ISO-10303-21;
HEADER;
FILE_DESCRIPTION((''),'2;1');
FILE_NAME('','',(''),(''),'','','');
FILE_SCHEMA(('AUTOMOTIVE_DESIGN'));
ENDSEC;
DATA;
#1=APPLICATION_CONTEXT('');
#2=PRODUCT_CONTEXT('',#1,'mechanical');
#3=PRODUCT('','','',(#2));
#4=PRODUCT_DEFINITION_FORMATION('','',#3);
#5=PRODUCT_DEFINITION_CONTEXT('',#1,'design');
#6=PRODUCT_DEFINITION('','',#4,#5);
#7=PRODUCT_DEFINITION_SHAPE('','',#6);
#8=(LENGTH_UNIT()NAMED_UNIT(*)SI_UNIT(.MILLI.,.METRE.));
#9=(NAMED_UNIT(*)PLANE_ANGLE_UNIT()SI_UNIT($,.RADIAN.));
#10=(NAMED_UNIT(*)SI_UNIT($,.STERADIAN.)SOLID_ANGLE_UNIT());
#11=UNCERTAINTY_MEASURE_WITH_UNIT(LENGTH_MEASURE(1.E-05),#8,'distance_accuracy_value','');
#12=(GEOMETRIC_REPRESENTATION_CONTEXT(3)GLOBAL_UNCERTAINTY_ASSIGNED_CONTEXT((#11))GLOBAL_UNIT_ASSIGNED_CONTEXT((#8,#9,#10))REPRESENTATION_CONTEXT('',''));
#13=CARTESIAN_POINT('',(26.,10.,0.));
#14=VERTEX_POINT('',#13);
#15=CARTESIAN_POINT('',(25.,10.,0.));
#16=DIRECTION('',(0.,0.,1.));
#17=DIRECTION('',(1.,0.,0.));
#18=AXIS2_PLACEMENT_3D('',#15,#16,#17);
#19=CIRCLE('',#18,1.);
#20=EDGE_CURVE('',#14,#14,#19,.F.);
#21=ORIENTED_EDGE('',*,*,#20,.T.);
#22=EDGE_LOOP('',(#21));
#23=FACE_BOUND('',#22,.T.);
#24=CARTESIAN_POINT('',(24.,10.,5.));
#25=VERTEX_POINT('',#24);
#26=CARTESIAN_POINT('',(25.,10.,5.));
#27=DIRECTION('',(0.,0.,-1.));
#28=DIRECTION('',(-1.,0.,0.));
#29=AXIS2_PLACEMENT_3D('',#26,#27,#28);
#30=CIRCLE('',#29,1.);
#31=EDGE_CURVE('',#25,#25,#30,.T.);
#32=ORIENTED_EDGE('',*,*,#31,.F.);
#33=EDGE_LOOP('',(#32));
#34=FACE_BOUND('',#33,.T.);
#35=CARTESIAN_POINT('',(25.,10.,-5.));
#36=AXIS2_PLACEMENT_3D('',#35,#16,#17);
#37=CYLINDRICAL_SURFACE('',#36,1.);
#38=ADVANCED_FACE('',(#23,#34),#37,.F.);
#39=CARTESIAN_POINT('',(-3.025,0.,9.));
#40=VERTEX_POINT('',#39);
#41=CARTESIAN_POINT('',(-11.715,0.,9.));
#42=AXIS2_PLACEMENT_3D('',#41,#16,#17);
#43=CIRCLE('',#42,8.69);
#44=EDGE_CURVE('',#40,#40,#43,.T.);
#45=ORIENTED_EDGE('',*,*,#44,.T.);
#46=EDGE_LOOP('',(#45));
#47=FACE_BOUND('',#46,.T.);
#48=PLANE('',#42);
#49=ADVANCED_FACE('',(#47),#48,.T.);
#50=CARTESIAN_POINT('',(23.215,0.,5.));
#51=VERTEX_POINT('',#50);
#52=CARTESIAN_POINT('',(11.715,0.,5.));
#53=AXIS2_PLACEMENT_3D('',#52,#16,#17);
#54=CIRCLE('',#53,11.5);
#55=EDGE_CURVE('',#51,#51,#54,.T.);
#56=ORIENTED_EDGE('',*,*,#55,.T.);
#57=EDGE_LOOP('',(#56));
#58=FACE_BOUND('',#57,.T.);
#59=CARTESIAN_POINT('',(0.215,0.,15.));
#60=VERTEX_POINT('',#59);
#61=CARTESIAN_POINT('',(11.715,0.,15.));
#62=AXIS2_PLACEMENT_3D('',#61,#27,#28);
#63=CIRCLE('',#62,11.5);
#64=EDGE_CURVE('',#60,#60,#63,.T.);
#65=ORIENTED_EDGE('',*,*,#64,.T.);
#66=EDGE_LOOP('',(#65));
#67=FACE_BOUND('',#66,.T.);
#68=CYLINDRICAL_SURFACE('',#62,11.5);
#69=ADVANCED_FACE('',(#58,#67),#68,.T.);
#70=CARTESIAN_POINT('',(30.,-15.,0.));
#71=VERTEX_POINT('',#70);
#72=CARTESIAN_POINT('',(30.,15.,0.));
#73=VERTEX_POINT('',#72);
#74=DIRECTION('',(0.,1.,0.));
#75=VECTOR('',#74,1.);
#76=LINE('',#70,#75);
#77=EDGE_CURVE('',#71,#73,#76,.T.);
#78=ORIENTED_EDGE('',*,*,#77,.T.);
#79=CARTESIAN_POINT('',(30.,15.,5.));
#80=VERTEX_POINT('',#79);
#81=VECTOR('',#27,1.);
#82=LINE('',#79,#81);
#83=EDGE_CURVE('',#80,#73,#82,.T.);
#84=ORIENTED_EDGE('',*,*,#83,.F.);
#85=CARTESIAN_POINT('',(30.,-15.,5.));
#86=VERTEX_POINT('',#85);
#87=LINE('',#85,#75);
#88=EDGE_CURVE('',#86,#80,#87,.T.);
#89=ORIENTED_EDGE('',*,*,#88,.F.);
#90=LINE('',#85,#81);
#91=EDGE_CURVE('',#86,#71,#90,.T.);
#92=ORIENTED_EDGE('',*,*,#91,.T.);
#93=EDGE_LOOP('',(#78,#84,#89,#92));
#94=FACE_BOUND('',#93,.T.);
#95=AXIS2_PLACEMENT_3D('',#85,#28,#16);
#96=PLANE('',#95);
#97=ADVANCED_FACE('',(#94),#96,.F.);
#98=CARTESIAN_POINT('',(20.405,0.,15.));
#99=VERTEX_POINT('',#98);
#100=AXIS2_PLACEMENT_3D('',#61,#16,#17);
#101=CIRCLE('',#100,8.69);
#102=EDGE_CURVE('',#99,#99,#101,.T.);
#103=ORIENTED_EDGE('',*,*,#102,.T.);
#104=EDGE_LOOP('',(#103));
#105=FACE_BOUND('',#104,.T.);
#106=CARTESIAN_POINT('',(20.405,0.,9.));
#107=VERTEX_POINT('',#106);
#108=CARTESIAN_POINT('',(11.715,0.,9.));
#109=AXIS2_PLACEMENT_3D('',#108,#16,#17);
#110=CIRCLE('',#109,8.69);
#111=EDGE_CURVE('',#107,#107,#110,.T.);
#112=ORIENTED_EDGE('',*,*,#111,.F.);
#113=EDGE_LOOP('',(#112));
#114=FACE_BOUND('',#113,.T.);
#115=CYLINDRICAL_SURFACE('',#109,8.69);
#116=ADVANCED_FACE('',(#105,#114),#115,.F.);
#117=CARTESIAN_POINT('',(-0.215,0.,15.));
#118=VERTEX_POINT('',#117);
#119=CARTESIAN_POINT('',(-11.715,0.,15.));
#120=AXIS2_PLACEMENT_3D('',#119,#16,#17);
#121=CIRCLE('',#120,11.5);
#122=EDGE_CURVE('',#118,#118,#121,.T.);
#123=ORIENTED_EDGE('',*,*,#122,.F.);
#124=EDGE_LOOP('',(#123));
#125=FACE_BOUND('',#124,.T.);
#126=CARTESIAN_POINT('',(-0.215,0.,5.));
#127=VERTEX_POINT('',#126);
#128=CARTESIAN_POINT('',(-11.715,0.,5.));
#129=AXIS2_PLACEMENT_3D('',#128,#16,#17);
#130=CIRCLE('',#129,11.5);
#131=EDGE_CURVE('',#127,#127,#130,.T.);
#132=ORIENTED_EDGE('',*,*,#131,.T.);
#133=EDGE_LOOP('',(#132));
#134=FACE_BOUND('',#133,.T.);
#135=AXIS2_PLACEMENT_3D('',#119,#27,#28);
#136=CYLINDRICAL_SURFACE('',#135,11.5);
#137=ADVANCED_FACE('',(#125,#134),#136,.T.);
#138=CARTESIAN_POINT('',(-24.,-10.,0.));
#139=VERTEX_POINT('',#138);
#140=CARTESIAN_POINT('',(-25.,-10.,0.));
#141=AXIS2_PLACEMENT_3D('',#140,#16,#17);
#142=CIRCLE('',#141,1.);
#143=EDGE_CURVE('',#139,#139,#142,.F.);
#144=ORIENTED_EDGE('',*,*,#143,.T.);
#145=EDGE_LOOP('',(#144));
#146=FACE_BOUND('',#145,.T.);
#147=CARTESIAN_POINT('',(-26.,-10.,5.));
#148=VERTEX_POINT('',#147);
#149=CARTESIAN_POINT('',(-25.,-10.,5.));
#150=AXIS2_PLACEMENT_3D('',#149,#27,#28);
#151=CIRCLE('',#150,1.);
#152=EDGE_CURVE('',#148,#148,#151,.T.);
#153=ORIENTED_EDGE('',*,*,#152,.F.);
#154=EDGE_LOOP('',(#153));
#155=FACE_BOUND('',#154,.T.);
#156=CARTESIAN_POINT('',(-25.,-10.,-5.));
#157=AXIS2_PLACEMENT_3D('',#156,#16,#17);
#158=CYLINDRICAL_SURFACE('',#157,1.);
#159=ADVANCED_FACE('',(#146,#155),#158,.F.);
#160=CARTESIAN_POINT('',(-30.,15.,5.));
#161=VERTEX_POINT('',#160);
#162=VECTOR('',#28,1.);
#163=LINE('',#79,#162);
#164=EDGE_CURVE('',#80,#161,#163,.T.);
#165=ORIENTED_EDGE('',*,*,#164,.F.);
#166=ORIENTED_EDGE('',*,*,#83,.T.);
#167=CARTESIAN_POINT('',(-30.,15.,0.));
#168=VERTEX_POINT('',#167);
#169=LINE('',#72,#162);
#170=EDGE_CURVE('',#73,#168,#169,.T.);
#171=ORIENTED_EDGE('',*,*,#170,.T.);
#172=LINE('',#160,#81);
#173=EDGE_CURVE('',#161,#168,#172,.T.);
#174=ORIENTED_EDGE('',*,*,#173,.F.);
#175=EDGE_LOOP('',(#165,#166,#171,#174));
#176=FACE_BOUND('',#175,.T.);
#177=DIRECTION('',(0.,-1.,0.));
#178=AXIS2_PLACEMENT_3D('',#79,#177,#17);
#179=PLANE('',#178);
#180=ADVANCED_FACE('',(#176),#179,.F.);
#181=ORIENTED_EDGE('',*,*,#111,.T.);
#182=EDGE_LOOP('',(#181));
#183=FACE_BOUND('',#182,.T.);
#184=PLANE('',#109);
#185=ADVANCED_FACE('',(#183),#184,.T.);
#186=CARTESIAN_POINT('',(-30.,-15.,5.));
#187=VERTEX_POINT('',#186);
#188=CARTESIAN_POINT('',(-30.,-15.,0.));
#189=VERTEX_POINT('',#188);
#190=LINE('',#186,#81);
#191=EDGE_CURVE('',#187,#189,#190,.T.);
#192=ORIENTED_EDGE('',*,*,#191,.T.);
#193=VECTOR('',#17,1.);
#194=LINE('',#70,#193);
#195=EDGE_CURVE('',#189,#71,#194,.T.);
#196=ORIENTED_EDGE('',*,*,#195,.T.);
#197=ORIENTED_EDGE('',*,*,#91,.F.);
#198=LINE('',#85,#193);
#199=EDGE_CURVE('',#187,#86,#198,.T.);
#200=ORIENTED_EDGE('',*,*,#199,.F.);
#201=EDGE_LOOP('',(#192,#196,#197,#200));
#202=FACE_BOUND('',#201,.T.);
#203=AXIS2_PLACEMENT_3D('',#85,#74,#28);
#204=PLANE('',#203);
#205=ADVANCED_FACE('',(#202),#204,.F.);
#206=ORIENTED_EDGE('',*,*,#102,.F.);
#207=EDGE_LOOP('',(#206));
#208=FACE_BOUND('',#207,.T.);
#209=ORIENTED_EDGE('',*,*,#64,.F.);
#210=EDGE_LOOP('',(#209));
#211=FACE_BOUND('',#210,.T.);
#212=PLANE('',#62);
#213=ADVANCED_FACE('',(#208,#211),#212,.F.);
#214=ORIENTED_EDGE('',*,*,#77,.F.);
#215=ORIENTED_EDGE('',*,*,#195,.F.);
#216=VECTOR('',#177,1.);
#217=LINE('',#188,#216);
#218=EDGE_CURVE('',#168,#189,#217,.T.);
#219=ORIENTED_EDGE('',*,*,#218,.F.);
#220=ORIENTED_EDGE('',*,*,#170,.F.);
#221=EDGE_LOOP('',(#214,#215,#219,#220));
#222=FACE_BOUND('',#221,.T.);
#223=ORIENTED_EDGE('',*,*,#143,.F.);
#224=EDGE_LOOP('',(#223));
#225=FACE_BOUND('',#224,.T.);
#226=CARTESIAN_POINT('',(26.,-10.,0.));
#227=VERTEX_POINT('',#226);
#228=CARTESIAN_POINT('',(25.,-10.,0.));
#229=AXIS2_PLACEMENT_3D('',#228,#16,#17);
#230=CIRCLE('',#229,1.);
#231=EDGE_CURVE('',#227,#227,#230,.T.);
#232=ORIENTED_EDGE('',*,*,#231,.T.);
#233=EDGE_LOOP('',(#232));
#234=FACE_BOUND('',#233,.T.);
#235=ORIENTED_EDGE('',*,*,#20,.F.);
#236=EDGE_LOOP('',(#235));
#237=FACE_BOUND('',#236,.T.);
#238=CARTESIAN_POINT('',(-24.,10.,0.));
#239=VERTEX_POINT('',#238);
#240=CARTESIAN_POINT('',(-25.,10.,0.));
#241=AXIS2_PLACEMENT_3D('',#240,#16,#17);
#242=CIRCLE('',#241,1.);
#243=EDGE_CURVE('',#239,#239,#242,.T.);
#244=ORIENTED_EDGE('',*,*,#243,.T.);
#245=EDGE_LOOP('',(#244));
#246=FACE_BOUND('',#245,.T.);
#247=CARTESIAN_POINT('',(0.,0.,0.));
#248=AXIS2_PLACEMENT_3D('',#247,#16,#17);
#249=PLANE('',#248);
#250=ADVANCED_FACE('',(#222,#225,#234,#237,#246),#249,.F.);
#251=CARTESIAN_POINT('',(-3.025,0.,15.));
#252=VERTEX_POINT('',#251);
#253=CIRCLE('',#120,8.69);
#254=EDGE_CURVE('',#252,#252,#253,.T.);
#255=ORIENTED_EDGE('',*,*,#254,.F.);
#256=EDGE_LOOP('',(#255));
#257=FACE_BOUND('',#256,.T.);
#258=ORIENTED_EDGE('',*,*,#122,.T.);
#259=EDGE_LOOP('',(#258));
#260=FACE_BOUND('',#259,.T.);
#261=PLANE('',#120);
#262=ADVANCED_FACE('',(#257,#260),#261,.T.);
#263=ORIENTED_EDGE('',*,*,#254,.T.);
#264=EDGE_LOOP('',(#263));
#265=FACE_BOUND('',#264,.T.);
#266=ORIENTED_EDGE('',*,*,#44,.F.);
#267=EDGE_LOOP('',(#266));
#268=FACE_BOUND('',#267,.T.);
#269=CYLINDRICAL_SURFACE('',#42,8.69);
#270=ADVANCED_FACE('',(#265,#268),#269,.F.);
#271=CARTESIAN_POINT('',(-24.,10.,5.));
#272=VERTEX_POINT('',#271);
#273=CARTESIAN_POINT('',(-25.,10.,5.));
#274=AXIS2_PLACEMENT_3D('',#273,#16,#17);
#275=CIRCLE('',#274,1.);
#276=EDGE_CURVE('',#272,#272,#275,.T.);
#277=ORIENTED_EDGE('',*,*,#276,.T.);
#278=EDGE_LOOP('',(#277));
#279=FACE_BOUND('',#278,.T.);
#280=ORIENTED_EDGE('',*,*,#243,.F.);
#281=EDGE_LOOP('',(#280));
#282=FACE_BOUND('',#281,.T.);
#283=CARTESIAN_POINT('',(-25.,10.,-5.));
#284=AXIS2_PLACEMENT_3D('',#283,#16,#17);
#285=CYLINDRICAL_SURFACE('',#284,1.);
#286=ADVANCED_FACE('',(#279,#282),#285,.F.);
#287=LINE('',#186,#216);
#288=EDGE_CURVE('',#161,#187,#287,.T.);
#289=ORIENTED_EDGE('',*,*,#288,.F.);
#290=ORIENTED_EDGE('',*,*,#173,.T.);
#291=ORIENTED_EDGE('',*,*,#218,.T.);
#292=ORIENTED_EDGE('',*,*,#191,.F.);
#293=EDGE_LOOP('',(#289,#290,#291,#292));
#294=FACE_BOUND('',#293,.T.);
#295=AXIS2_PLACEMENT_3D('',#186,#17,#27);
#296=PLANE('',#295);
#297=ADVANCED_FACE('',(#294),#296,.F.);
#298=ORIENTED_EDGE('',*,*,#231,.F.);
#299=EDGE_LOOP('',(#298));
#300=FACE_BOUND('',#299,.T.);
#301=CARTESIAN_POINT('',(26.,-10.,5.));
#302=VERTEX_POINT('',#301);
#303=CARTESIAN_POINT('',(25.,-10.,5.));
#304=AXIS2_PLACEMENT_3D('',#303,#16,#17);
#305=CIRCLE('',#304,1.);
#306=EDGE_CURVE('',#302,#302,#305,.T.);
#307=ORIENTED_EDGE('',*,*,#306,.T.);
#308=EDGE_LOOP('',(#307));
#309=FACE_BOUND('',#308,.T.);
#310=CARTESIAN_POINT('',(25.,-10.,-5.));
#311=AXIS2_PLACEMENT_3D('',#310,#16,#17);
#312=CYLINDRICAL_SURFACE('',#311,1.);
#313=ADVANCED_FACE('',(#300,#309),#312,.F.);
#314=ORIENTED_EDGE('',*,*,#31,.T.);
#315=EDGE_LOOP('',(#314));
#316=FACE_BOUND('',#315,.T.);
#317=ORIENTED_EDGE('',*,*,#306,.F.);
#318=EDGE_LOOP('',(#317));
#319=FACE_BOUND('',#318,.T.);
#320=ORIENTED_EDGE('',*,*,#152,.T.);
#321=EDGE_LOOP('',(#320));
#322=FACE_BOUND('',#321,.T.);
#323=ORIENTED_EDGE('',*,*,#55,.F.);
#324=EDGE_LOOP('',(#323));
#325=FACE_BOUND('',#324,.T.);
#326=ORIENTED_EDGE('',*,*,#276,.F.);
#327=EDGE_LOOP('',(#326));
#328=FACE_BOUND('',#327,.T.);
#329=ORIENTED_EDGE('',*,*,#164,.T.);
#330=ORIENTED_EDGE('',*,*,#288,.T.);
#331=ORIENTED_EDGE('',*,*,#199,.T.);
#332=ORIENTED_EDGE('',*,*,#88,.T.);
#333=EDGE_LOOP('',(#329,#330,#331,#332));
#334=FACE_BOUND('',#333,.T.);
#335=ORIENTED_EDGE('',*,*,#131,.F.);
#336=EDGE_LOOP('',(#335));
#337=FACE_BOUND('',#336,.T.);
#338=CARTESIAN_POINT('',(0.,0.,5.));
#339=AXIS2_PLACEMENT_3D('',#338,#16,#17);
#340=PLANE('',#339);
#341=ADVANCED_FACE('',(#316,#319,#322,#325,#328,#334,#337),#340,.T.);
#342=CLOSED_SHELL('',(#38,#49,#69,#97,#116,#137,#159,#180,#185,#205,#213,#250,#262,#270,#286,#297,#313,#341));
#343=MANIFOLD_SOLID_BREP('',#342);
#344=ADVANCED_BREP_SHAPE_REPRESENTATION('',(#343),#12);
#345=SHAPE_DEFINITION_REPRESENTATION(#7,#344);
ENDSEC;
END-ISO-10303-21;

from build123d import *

# Parameters (mm, degrees)
SKETCH1_W           = 60
SKETCH1_H           = 30
BOSS_EXTRUDE2_DEPTH = 5
SKETCH2_R           = 11.5
BOSS_EXTRUDE3_DEPTH = 10
SKETCH3_R           = 8.69
CUT_EXTRUDE2_DEPTH  = 6
SKETCH4_R           = 1
CUT_EXTRUDE4_DEPTH  = 10


with BuildPart() as part:
    # Sketch1 → Boss-Extrude2 (new body)
    with BuildSketch(Plane.XY):
        Rectangle(SKETCH1_W, SKETCH1_H)
    extrude(amount=BOSS_EXTRUDE2_DEPTH)

    # Sketch2 → Boss-Extrude3 (add)
    with BuildSketch(Plane.XY.offset(5)):
        with Locations((-11.715, 0)):
            Circle(SKETCH2_R)
        with Locations((11.715, 0)):
            Circle(SKETCH2_R)
    extrude(amount=BOSS_EXTRUDE3_DEPTH)

    # Sketch3 → Cut-Extrude2 (cut)
    with BuildSketch(Plane.XY.offset(15)):
        with Locations((-11.715, 0)):
            Circle(SKETCH3_R)
        with Locations((11.715, 0)):
            Circle(SKETCH3_R)
    extrude(amount=-CUT_EXTRUDE2_DEPTH, mode=Mode.SUBTRACT)

    # Sketch4 → Cut-Extrude4 (cut)
    with BuildSketch(Plane.XY.offset(5)):
        with Locations((-25, 10)):
            Circle(SKETCH4_R)
        with Locations((25, 10)):
            Circle(SKETCH4_R)
        with Locations((25, -10)):
            Circle(SKETCH4_R)
        with Locations((-25, -10)):
            Circle(SKETCH4_R)
    extrude(amount=-CUT_EXTRUDE4_DEPTH, mode=Mode.SUBTRACT)


solid = part.part
